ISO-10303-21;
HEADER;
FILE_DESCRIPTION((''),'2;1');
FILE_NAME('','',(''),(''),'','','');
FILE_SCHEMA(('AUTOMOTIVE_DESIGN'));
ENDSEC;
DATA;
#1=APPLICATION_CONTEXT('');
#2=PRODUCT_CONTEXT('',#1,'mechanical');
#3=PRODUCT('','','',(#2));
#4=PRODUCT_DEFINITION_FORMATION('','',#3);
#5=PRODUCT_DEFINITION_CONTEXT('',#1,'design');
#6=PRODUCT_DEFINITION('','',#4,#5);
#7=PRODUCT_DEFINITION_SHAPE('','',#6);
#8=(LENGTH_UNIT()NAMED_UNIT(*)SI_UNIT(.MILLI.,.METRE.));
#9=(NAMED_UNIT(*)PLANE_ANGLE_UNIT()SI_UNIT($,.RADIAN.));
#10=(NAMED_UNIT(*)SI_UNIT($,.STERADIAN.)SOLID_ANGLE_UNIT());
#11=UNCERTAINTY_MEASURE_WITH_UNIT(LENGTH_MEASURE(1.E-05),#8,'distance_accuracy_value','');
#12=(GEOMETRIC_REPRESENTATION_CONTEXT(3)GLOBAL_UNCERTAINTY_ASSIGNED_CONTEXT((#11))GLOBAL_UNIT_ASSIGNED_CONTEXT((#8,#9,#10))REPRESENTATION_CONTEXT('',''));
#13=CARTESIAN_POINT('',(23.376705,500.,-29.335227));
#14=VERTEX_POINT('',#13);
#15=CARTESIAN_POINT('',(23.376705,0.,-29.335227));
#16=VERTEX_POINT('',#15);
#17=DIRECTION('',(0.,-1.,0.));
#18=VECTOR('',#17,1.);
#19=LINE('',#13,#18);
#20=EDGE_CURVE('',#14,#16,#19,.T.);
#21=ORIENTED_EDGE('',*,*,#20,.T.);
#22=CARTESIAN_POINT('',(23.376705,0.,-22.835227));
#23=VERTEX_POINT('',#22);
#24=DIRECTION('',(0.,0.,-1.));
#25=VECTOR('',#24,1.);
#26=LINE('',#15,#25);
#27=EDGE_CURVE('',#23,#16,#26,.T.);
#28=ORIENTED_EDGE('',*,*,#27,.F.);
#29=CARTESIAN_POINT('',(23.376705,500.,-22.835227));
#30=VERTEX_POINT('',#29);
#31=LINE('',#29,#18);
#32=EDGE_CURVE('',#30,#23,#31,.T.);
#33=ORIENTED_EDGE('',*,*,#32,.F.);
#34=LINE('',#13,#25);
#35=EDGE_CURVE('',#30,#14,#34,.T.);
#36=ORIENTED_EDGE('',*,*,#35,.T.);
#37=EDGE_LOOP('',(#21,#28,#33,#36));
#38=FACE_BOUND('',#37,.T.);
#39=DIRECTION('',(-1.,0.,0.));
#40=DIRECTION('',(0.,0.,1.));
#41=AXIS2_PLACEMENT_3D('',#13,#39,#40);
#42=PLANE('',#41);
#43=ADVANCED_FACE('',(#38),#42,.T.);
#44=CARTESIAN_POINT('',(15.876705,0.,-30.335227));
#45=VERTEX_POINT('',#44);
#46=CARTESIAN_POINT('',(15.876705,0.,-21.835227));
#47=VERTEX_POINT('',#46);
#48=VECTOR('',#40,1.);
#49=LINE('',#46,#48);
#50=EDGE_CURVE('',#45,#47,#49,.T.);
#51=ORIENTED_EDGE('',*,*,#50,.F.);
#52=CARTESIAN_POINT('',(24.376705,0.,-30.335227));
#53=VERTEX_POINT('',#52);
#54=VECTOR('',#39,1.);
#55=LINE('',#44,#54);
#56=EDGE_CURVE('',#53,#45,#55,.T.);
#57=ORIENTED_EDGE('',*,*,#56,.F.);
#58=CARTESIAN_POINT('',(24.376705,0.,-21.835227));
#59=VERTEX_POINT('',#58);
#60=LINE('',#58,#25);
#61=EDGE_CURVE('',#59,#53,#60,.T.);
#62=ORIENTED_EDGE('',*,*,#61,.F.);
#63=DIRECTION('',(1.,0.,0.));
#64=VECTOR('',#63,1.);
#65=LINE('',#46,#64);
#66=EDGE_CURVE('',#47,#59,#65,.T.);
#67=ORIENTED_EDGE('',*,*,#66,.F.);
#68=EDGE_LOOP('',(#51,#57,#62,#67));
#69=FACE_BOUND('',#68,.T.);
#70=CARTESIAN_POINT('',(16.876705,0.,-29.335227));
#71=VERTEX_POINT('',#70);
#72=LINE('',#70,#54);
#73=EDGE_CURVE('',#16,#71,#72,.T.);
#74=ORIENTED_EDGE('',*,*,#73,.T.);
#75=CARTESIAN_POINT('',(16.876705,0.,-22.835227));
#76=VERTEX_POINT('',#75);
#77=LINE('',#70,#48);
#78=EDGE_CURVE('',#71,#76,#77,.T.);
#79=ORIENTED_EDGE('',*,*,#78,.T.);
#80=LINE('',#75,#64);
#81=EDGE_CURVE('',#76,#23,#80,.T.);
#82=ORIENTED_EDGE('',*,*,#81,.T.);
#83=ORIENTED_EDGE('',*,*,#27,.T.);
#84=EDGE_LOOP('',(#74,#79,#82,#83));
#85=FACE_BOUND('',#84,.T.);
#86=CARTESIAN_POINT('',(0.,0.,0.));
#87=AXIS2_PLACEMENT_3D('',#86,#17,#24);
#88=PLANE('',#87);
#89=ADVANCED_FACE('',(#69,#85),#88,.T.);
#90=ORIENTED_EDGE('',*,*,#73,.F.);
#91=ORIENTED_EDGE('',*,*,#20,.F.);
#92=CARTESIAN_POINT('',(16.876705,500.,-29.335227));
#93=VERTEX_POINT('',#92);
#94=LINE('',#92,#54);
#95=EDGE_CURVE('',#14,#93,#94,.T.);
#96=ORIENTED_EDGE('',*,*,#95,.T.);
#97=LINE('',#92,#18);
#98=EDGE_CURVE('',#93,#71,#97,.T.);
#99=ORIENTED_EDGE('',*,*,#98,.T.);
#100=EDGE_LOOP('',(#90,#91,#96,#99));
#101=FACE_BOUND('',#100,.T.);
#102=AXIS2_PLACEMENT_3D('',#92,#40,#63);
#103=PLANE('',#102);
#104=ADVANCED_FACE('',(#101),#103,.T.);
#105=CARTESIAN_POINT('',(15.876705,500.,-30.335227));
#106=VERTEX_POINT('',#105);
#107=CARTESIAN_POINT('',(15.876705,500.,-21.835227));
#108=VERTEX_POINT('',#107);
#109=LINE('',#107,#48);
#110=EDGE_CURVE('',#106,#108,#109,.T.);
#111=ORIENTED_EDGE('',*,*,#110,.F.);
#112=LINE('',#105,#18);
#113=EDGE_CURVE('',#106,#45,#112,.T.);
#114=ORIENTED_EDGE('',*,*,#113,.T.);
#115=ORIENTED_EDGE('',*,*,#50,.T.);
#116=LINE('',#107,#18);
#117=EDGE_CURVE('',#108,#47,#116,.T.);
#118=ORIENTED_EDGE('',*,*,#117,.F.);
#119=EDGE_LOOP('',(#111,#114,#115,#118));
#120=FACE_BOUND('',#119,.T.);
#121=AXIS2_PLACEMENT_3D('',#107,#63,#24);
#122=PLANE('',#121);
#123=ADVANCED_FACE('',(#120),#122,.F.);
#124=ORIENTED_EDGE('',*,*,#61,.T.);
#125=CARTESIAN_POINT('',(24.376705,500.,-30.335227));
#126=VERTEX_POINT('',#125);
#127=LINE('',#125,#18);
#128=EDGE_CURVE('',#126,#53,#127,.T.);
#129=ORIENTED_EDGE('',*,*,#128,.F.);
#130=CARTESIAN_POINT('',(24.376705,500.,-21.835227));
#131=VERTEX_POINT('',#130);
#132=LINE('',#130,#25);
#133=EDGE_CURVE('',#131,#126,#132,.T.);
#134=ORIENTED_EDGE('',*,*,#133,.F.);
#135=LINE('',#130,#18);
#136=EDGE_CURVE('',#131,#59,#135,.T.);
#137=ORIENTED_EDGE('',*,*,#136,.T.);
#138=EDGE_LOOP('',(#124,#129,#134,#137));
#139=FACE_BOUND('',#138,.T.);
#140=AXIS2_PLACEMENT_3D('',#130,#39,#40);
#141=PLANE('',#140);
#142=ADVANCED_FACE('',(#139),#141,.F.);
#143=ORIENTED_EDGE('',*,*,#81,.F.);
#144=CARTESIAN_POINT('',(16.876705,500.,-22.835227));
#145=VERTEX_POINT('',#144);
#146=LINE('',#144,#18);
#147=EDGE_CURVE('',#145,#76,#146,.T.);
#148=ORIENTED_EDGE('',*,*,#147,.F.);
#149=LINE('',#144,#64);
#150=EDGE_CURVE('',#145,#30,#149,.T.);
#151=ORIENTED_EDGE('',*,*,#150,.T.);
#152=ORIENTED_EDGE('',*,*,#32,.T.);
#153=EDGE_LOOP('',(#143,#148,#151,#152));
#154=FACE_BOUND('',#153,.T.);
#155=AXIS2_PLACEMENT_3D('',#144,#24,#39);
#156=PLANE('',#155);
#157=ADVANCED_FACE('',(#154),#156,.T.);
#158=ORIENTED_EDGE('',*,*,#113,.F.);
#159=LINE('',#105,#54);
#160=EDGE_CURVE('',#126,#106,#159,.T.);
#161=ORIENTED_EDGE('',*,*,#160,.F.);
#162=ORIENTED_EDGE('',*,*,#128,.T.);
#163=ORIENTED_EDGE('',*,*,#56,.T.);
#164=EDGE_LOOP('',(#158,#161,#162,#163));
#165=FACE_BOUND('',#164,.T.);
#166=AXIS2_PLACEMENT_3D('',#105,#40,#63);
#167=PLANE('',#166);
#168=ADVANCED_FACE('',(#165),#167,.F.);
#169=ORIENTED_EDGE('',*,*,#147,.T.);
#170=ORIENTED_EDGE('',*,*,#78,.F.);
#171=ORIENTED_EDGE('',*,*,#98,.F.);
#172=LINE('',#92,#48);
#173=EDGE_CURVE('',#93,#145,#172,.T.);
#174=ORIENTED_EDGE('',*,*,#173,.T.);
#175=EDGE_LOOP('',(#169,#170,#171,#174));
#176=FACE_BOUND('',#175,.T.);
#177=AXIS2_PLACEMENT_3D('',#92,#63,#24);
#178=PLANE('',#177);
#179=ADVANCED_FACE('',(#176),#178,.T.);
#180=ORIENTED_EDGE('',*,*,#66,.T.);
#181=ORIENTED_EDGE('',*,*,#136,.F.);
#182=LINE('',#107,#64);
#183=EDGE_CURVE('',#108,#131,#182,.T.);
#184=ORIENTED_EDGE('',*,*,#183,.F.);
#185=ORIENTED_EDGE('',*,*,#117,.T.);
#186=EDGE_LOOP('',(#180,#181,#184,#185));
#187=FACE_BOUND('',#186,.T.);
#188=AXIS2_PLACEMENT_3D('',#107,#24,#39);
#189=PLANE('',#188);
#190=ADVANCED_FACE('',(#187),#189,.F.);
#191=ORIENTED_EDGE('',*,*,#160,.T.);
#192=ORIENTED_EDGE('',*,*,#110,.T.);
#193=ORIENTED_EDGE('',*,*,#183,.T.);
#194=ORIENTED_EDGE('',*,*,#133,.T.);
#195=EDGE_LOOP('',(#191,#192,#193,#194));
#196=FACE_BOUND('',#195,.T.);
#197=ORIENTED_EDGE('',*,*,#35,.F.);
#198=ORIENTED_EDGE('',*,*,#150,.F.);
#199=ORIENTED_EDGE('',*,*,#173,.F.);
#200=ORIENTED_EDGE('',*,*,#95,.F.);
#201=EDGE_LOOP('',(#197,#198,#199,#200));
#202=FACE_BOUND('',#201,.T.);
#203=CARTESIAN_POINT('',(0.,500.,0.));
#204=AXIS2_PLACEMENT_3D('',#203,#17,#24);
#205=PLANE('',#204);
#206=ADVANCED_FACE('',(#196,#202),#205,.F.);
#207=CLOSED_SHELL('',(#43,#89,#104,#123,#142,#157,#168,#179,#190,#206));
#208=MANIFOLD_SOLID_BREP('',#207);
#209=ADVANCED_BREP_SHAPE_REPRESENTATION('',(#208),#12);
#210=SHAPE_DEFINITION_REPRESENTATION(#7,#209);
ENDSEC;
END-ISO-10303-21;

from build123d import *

# Parameters (mm, degrees)
SKETCH1_W           = 8.5
SKETCH1_H           = 8.5
SKETCH1_W_2         = 6.5
SKETCH1_H_2         = 6.5
BOSS_EXTRUDE1_DEPTH = 500


with BuildPart() as part:
    # Sketch1 → Boss-Extrude1 (new body)
    with BuildSketch(Plane(origin=(0, 0, 0), x_dir=(1, 0, 0), z_dir=(0, 1, 0))):
        with Locations((20.126704545, 26.085227273)):
            Rectangle(SKETCH1_W, SKETCH1_H)
        with Locations((20.126704545, 26.085227273)):
            Rectangle(SKETCH1_W_2, SKETCH1_H_2, mode=Mode.SUBTRACT)
    extrude(amount=BOSS_EXTRUDE1_DEPTH)


solid = part.part
